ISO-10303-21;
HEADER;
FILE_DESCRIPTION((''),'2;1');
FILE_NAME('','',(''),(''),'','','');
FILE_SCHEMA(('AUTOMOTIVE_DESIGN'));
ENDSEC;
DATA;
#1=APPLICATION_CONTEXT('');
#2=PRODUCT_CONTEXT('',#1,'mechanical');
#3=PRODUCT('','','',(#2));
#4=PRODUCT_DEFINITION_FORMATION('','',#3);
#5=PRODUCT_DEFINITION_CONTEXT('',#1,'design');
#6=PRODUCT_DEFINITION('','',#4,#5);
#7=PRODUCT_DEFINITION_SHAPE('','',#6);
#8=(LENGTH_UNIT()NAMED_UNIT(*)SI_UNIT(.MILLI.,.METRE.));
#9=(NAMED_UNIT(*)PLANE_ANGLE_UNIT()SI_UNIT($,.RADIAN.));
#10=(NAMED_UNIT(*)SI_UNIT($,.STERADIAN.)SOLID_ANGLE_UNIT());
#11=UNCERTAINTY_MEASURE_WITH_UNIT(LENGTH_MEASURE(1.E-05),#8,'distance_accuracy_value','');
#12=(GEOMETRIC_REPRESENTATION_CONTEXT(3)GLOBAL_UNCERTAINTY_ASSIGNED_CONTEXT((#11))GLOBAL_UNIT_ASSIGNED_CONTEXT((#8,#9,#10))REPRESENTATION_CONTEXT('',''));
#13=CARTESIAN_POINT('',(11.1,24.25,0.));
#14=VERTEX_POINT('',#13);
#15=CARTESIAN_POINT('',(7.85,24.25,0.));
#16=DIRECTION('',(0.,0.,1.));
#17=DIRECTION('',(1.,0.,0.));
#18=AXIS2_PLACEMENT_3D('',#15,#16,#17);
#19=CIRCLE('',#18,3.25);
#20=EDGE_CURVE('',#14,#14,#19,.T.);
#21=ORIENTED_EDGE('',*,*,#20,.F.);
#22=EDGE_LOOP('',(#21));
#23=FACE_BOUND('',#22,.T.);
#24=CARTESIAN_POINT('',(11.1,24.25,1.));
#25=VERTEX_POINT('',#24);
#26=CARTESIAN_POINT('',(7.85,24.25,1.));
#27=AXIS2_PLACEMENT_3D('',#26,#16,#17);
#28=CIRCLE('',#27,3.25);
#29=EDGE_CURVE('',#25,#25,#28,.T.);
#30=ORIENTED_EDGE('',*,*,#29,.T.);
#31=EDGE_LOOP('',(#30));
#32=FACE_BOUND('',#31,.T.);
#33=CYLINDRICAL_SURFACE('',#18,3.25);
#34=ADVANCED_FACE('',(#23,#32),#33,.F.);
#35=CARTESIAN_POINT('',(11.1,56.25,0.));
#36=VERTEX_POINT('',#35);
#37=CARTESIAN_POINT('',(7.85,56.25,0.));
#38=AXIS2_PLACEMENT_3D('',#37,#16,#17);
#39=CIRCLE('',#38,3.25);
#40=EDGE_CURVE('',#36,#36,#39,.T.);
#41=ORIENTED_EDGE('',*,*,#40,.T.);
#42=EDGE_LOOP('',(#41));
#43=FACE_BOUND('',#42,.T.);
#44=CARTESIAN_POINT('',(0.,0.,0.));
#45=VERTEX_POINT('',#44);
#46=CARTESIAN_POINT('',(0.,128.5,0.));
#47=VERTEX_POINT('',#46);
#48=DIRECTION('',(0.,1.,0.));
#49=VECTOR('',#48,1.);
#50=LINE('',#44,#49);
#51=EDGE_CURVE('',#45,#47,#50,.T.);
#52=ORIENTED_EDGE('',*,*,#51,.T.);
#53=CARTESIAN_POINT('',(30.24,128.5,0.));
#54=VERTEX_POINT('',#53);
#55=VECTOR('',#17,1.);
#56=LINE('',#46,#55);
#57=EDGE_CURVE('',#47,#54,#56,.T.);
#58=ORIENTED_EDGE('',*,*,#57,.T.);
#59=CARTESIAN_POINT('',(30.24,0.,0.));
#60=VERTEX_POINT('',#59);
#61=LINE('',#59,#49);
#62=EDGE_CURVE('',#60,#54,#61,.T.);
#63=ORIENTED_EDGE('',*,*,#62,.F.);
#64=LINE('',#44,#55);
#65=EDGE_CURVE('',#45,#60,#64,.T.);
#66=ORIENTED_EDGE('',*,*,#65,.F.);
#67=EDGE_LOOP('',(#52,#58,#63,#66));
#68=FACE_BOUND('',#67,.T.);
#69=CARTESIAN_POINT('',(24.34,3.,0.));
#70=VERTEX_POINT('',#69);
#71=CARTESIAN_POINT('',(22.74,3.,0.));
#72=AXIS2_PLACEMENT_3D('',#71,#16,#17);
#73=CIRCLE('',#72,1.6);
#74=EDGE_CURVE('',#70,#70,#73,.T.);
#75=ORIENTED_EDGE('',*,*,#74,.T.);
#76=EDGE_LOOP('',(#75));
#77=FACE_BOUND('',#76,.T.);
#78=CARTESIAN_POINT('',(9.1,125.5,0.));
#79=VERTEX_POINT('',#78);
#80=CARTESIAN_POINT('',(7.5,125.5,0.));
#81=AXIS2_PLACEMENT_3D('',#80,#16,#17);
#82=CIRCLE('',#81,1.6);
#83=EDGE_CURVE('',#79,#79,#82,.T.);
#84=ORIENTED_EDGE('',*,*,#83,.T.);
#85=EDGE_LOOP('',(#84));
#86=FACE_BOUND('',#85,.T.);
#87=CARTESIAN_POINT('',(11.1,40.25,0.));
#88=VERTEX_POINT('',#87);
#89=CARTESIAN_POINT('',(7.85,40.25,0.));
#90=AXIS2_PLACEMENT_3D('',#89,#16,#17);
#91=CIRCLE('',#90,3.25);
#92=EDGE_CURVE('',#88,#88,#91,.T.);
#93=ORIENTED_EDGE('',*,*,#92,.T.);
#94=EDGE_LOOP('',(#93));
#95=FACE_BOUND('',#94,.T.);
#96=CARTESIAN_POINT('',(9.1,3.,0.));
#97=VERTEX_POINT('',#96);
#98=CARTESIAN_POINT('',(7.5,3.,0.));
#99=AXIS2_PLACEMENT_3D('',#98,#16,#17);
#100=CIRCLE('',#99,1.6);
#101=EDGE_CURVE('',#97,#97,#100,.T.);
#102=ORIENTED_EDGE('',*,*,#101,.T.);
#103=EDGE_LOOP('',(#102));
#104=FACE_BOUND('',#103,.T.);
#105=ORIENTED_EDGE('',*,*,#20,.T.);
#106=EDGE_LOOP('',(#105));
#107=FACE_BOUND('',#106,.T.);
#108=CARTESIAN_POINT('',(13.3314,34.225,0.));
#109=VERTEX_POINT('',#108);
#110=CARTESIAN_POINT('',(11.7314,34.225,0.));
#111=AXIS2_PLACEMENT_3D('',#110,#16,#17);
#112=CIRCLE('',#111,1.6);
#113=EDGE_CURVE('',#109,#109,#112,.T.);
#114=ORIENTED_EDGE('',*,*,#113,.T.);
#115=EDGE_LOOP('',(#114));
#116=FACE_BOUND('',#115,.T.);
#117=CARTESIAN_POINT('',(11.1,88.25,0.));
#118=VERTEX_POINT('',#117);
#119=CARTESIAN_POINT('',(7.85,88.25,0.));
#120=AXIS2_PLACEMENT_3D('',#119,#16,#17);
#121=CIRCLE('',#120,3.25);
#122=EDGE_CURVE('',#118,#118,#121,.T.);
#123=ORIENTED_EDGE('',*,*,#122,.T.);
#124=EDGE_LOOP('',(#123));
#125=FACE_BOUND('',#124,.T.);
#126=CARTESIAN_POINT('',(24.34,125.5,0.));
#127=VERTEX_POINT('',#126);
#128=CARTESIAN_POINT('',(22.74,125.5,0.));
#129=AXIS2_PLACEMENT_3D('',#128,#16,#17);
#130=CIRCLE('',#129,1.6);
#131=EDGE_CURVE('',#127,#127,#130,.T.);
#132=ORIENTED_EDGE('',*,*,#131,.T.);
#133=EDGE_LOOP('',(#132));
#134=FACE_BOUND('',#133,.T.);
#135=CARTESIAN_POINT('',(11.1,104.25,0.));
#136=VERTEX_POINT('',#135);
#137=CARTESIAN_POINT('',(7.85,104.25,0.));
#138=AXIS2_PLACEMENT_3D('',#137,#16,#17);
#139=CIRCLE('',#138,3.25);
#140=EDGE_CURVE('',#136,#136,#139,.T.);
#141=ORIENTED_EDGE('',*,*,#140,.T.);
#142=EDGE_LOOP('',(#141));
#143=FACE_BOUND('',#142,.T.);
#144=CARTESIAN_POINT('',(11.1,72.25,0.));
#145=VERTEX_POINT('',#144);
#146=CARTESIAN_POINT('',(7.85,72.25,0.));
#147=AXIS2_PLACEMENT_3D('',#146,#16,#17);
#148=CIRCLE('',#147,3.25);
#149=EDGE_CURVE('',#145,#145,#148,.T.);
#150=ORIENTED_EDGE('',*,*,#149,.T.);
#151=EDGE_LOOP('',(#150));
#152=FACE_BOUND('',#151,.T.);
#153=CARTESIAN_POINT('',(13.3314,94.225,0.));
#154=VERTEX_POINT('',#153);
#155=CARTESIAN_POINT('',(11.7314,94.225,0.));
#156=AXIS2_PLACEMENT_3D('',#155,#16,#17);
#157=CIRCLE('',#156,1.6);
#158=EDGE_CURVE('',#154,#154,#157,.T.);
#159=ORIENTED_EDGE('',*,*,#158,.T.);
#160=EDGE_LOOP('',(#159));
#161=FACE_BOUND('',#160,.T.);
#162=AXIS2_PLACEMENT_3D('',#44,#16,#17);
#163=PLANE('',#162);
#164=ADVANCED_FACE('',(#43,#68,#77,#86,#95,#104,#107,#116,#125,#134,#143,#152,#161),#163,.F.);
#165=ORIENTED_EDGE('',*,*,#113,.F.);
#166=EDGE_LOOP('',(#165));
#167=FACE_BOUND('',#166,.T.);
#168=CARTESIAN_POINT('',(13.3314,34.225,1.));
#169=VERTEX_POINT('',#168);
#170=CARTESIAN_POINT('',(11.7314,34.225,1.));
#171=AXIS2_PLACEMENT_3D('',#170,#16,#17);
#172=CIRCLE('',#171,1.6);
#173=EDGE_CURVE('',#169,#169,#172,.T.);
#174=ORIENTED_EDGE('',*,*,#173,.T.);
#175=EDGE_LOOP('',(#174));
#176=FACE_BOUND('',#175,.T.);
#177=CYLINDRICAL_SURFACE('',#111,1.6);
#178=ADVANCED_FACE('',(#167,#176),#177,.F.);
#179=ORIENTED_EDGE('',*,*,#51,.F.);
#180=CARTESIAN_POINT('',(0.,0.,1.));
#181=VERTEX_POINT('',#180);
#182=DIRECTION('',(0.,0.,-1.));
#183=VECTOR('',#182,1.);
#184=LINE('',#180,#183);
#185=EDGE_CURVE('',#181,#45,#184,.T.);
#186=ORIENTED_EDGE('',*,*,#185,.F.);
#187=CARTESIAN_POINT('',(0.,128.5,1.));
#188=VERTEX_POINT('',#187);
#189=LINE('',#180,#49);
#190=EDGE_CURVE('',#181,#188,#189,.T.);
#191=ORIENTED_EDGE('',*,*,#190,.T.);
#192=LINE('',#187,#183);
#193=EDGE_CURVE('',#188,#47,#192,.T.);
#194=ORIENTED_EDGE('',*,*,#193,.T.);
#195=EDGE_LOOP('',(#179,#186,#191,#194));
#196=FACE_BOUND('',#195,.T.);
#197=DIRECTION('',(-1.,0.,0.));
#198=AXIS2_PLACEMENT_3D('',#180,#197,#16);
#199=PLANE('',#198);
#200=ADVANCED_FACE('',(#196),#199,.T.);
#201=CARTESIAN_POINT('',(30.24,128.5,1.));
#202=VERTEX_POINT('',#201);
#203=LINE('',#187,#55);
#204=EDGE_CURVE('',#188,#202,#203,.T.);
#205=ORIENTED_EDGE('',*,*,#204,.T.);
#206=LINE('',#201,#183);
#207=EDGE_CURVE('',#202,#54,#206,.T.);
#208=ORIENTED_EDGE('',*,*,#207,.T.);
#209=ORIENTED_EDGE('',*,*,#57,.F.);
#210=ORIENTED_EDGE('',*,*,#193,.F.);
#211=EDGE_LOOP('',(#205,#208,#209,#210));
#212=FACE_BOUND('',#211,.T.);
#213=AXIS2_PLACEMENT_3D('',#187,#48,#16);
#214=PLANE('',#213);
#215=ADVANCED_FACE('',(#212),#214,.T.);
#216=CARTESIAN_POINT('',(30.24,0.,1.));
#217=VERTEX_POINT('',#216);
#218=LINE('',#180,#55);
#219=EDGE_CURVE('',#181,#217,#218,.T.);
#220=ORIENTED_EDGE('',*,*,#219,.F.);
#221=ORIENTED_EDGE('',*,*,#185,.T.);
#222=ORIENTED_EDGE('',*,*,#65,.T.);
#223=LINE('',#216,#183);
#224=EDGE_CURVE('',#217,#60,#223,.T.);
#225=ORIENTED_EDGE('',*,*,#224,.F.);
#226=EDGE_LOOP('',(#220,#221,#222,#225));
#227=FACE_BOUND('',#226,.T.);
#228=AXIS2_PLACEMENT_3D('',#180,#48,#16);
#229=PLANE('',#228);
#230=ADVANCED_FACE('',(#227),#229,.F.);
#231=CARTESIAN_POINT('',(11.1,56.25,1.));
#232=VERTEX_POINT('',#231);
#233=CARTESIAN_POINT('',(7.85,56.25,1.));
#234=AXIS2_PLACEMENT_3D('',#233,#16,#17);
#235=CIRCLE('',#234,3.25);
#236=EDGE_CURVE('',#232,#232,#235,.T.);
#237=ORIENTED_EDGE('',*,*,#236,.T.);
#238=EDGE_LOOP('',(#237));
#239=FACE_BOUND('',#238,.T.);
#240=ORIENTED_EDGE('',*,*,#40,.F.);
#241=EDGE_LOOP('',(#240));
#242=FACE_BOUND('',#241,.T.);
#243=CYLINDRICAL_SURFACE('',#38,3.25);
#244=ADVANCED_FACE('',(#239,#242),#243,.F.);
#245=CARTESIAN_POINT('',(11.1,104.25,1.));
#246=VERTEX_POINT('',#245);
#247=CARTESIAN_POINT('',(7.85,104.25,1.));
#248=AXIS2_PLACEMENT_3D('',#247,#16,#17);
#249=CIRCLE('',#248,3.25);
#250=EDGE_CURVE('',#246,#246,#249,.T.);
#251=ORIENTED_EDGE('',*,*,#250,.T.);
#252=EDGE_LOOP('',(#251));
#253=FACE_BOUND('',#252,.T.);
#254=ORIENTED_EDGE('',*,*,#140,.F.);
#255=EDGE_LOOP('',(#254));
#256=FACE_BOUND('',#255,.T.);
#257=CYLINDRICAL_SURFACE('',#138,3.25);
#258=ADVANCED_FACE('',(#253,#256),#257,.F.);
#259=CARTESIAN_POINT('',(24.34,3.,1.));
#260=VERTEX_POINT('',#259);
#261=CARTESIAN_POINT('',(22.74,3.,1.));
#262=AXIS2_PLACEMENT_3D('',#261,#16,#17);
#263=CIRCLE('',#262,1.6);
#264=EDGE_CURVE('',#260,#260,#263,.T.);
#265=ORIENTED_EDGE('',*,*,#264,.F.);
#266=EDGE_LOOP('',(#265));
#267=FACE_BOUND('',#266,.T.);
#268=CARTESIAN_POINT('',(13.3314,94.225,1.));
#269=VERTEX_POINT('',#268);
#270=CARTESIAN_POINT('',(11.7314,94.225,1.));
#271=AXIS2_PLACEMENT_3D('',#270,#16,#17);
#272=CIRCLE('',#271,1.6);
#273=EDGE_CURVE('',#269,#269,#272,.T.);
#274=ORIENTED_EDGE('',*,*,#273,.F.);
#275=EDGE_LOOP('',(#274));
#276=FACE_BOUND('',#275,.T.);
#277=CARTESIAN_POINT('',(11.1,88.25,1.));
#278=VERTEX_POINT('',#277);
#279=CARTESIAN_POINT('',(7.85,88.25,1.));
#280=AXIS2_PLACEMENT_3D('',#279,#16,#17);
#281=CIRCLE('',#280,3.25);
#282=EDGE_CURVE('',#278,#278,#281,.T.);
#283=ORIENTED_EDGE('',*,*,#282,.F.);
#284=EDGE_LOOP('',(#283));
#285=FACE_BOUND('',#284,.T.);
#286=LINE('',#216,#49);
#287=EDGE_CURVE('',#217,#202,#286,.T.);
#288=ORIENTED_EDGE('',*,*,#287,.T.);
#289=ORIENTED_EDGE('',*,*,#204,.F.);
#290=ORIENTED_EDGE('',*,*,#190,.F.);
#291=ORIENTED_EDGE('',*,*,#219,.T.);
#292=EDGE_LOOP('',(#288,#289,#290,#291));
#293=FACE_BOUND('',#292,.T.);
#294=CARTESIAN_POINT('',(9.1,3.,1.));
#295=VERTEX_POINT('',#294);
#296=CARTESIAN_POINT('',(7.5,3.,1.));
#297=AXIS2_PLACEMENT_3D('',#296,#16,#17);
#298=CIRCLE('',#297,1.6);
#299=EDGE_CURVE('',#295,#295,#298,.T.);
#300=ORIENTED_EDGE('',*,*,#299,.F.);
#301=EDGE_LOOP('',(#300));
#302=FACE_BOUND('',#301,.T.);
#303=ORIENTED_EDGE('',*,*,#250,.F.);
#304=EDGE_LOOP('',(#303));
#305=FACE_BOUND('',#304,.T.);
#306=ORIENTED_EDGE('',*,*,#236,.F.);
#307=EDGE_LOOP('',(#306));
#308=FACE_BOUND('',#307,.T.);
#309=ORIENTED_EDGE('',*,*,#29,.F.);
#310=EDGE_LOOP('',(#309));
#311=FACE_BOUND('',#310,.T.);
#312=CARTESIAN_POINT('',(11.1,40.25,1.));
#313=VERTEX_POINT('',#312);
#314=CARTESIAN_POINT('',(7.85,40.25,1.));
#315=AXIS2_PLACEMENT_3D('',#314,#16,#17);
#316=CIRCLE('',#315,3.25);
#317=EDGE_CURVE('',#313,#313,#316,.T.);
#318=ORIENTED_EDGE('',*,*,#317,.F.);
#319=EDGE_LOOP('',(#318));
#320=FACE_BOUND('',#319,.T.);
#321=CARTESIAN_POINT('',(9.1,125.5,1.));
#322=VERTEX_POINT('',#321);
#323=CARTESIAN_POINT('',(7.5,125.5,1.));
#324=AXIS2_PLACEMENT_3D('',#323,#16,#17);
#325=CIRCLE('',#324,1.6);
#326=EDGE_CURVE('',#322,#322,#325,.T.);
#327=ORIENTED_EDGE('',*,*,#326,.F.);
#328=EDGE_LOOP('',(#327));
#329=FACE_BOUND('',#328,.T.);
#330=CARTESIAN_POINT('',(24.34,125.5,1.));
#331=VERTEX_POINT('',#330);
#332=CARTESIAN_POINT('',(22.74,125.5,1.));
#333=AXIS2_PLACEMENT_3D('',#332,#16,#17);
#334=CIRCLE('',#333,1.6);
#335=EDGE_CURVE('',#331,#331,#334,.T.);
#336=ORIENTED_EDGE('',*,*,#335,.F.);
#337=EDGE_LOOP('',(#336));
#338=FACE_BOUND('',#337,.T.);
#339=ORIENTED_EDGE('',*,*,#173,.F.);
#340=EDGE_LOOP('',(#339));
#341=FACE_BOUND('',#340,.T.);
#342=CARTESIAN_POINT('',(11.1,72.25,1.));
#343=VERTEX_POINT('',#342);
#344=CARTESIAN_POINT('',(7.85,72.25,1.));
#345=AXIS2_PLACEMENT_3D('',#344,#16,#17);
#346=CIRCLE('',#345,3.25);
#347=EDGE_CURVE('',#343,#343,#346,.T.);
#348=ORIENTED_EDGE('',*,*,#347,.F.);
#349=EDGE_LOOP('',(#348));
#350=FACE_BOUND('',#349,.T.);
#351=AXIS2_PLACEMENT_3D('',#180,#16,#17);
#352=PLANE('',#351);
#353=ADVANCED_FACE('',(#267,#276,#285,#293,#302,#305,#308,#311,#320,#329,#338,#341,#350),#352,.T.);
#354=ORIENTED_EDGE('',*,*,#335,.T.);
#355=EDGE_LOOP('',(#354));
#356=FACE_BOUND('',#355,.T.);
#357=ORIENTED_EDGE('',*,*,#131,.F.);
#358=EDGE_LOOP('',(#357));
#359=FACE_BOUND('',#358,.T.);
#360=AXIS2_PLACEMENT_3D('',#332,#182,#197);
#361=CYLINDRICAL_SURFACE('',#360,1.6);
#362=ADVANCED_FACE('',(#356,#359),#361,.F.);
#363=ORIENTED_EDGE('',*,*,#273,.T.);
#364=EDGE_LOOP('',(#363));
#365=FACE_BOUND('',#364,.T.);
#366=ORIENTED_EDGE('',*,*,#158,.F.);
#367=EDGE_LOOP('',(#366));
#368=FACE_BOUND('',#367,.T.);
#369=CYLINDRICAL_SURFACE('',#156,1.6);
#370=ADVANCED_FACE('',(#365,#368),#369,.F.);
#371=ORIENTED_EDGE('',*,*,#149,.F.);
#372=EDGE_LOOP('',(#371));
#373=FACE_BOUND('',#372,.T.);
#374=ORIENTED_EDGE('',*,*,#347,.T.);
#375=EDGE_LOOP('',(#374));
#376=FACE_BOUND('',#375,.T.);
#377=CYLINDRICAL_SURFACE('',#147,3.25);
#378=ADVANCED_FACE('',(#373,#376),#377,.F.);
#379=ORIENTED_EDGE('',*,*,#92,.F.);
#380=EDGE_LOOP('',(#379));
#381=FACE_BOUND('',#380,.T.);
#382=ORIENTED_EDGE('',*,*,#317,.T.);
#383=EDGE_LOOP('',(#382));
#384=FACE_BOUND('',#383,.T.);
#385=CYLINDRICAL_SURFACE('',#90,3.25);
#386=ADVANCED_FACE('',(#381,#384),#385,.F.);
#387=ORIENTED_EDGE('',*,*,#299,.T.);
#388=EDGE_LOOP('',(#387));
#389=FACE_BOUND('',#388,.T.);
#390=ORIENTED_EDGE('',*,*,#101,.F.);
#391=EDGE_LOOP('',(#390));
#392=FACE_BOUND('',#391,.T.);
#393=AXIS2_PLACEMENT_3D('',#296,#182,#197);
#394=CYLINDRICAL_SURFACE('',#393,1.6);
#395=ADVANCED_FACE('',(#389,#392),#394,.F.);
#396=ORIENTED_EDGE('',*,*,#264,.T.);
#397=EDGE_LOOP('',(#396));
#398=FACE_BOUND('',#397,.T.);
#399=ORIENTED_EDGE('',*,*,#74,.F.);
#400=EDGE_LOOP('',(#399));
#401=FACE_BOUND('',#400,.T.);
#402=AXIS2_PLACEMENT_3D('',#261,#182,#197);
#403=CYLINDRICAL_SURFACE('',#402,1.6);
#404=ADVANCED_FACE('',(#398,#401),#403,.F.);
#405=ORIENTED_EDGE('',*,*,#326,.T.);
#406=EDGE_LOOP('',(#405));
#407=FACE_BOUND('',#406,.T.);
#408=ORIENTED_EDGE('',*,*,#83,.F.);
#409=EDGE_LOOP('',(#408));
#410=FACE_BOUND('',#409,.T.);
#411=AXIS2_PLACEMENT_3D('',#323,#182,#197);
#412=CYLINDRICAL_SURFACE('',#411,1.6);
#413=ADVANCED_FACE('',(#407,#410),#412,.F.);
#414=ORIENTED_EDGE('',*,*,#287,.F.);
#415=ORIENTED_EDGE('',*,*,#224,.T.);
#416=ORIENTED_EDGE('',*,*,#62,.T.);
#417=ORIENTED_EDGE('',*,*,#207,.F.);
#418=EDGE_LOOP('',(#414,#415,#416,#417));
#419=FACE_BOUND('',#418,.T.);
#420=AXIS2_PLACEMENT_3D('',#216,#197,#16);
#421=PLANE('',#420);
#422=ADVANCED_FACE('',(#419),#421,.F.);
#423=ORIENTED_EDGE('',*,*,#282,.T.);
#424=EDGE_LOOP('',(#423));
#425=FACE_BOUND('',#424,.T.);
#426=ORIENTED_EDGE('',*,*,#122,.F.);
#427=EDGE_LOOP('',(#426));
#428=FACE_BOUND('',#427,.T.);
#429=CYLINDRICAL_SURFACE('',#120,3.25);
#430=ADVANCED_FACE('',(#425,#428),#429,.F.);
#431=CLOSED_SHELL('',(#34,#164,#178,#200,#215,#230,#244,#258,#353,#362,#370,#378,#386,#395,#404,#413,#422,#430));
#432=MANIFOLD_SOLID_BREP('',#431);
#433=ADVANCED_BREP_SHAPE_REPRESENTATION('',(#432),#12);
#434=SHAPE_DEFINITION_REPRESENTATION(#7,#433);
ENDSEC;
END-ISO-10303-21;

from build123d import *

# Parameters (mm, degrees)
SKETCH2_W                        = 30.24
SKETCH2_H                        = 128.5
SKETCH2_R                        = 1.6
BOSS_EXTRUDE1_DEPTH              = 1
SMA_CUTS_DEPTH                   = 133.014043192
SMA_CUTS_DEPTH_BACK              = 133.014043192
SKETCH3_R                        = 3.25
MOUNTING_BRACKET_CUTS_DEPTH      = 133.014043192
MOUNTING_BRACKET_CUTS_DEPTH_BACK = 133.014043192
SKETCH4_R                        = 1.6


with BuildPart() as part:
    # Sketch2 → Boss-Extrude1 (new body)
    with BuildSketch(Plane.XY):
        with Locations((15.12, 64.25)):
            Rectangle(SKETCH2_W, SKETCH2_H)
        with Locations((7.5, 3)):
            Circle(SKETCH2_R, mode=Mode.SUBTRACT)
        with Locations((22.74, 3)):
            Circle(SKETCH2_R, mode=Mode.SUBTRACT)
        with Locations((22.74, 125.5)):
            Circle(SKETCH2_R, mode=Mode.SUBTRACT)
        with Locations((7.5, 125.5)):
            Circle(SKETCH2_R, mode=Mode.SUBTRACT)
    extrude(amount=BOSS_EXTRUDE1_DEPTH)

    # Sketch3 → sma_cuts (cut, two sides: drawn at the far end of the back side and taken through both)
    with BuildSketch(Plane.XY.offset(1).offset(-SMA_CUTS_DEPTH_BACK)):
        with Locations((7.85, 104.25)):
            Circle(SKETCH3_R)
        with Locations((7.85, 88.25)):
            Circle(SKETCH3_R)
        with Locations((7.85, 72.25)):
            Circle(SKETCH3_R)
        with Locations((7.85, 56.25)):
            Circle(SKETCH3_R)
        with Locations((7.85, 40.25)):
            Circle(SKETCH3_R)
        with Locations((7.85, 24.25)):
            Circle(SKETCH3_R)
    extrude(amount=SMA_CUTS_DEPTH + SMA_CUTS_DEPTH_BACK, mode=Mode.SUBTRACT)

    # Sketch4 → mounting_bracket_cuts (cut, two sides: drawn at the far end of the back side and taken through both)
    with BuildSketch(Plane.XY.offset(1).offset(-MOUNTING_BRACKET_CUTS_DEPTH_BACK)):
        with Locations((11.7314, 94.225)):
            Circle(SKETCH4_R)
        with Locations((11.7314, 34.225)):
            Circle(SKETCH4_R)
    extrude(amount=MOUNTING_BRACKET_CUTS_DEPTH + MOUNTING_BRACKET_CUTS_DEPTH_BACK, mode=Mode.SUBTRACT)


solid = part.part
